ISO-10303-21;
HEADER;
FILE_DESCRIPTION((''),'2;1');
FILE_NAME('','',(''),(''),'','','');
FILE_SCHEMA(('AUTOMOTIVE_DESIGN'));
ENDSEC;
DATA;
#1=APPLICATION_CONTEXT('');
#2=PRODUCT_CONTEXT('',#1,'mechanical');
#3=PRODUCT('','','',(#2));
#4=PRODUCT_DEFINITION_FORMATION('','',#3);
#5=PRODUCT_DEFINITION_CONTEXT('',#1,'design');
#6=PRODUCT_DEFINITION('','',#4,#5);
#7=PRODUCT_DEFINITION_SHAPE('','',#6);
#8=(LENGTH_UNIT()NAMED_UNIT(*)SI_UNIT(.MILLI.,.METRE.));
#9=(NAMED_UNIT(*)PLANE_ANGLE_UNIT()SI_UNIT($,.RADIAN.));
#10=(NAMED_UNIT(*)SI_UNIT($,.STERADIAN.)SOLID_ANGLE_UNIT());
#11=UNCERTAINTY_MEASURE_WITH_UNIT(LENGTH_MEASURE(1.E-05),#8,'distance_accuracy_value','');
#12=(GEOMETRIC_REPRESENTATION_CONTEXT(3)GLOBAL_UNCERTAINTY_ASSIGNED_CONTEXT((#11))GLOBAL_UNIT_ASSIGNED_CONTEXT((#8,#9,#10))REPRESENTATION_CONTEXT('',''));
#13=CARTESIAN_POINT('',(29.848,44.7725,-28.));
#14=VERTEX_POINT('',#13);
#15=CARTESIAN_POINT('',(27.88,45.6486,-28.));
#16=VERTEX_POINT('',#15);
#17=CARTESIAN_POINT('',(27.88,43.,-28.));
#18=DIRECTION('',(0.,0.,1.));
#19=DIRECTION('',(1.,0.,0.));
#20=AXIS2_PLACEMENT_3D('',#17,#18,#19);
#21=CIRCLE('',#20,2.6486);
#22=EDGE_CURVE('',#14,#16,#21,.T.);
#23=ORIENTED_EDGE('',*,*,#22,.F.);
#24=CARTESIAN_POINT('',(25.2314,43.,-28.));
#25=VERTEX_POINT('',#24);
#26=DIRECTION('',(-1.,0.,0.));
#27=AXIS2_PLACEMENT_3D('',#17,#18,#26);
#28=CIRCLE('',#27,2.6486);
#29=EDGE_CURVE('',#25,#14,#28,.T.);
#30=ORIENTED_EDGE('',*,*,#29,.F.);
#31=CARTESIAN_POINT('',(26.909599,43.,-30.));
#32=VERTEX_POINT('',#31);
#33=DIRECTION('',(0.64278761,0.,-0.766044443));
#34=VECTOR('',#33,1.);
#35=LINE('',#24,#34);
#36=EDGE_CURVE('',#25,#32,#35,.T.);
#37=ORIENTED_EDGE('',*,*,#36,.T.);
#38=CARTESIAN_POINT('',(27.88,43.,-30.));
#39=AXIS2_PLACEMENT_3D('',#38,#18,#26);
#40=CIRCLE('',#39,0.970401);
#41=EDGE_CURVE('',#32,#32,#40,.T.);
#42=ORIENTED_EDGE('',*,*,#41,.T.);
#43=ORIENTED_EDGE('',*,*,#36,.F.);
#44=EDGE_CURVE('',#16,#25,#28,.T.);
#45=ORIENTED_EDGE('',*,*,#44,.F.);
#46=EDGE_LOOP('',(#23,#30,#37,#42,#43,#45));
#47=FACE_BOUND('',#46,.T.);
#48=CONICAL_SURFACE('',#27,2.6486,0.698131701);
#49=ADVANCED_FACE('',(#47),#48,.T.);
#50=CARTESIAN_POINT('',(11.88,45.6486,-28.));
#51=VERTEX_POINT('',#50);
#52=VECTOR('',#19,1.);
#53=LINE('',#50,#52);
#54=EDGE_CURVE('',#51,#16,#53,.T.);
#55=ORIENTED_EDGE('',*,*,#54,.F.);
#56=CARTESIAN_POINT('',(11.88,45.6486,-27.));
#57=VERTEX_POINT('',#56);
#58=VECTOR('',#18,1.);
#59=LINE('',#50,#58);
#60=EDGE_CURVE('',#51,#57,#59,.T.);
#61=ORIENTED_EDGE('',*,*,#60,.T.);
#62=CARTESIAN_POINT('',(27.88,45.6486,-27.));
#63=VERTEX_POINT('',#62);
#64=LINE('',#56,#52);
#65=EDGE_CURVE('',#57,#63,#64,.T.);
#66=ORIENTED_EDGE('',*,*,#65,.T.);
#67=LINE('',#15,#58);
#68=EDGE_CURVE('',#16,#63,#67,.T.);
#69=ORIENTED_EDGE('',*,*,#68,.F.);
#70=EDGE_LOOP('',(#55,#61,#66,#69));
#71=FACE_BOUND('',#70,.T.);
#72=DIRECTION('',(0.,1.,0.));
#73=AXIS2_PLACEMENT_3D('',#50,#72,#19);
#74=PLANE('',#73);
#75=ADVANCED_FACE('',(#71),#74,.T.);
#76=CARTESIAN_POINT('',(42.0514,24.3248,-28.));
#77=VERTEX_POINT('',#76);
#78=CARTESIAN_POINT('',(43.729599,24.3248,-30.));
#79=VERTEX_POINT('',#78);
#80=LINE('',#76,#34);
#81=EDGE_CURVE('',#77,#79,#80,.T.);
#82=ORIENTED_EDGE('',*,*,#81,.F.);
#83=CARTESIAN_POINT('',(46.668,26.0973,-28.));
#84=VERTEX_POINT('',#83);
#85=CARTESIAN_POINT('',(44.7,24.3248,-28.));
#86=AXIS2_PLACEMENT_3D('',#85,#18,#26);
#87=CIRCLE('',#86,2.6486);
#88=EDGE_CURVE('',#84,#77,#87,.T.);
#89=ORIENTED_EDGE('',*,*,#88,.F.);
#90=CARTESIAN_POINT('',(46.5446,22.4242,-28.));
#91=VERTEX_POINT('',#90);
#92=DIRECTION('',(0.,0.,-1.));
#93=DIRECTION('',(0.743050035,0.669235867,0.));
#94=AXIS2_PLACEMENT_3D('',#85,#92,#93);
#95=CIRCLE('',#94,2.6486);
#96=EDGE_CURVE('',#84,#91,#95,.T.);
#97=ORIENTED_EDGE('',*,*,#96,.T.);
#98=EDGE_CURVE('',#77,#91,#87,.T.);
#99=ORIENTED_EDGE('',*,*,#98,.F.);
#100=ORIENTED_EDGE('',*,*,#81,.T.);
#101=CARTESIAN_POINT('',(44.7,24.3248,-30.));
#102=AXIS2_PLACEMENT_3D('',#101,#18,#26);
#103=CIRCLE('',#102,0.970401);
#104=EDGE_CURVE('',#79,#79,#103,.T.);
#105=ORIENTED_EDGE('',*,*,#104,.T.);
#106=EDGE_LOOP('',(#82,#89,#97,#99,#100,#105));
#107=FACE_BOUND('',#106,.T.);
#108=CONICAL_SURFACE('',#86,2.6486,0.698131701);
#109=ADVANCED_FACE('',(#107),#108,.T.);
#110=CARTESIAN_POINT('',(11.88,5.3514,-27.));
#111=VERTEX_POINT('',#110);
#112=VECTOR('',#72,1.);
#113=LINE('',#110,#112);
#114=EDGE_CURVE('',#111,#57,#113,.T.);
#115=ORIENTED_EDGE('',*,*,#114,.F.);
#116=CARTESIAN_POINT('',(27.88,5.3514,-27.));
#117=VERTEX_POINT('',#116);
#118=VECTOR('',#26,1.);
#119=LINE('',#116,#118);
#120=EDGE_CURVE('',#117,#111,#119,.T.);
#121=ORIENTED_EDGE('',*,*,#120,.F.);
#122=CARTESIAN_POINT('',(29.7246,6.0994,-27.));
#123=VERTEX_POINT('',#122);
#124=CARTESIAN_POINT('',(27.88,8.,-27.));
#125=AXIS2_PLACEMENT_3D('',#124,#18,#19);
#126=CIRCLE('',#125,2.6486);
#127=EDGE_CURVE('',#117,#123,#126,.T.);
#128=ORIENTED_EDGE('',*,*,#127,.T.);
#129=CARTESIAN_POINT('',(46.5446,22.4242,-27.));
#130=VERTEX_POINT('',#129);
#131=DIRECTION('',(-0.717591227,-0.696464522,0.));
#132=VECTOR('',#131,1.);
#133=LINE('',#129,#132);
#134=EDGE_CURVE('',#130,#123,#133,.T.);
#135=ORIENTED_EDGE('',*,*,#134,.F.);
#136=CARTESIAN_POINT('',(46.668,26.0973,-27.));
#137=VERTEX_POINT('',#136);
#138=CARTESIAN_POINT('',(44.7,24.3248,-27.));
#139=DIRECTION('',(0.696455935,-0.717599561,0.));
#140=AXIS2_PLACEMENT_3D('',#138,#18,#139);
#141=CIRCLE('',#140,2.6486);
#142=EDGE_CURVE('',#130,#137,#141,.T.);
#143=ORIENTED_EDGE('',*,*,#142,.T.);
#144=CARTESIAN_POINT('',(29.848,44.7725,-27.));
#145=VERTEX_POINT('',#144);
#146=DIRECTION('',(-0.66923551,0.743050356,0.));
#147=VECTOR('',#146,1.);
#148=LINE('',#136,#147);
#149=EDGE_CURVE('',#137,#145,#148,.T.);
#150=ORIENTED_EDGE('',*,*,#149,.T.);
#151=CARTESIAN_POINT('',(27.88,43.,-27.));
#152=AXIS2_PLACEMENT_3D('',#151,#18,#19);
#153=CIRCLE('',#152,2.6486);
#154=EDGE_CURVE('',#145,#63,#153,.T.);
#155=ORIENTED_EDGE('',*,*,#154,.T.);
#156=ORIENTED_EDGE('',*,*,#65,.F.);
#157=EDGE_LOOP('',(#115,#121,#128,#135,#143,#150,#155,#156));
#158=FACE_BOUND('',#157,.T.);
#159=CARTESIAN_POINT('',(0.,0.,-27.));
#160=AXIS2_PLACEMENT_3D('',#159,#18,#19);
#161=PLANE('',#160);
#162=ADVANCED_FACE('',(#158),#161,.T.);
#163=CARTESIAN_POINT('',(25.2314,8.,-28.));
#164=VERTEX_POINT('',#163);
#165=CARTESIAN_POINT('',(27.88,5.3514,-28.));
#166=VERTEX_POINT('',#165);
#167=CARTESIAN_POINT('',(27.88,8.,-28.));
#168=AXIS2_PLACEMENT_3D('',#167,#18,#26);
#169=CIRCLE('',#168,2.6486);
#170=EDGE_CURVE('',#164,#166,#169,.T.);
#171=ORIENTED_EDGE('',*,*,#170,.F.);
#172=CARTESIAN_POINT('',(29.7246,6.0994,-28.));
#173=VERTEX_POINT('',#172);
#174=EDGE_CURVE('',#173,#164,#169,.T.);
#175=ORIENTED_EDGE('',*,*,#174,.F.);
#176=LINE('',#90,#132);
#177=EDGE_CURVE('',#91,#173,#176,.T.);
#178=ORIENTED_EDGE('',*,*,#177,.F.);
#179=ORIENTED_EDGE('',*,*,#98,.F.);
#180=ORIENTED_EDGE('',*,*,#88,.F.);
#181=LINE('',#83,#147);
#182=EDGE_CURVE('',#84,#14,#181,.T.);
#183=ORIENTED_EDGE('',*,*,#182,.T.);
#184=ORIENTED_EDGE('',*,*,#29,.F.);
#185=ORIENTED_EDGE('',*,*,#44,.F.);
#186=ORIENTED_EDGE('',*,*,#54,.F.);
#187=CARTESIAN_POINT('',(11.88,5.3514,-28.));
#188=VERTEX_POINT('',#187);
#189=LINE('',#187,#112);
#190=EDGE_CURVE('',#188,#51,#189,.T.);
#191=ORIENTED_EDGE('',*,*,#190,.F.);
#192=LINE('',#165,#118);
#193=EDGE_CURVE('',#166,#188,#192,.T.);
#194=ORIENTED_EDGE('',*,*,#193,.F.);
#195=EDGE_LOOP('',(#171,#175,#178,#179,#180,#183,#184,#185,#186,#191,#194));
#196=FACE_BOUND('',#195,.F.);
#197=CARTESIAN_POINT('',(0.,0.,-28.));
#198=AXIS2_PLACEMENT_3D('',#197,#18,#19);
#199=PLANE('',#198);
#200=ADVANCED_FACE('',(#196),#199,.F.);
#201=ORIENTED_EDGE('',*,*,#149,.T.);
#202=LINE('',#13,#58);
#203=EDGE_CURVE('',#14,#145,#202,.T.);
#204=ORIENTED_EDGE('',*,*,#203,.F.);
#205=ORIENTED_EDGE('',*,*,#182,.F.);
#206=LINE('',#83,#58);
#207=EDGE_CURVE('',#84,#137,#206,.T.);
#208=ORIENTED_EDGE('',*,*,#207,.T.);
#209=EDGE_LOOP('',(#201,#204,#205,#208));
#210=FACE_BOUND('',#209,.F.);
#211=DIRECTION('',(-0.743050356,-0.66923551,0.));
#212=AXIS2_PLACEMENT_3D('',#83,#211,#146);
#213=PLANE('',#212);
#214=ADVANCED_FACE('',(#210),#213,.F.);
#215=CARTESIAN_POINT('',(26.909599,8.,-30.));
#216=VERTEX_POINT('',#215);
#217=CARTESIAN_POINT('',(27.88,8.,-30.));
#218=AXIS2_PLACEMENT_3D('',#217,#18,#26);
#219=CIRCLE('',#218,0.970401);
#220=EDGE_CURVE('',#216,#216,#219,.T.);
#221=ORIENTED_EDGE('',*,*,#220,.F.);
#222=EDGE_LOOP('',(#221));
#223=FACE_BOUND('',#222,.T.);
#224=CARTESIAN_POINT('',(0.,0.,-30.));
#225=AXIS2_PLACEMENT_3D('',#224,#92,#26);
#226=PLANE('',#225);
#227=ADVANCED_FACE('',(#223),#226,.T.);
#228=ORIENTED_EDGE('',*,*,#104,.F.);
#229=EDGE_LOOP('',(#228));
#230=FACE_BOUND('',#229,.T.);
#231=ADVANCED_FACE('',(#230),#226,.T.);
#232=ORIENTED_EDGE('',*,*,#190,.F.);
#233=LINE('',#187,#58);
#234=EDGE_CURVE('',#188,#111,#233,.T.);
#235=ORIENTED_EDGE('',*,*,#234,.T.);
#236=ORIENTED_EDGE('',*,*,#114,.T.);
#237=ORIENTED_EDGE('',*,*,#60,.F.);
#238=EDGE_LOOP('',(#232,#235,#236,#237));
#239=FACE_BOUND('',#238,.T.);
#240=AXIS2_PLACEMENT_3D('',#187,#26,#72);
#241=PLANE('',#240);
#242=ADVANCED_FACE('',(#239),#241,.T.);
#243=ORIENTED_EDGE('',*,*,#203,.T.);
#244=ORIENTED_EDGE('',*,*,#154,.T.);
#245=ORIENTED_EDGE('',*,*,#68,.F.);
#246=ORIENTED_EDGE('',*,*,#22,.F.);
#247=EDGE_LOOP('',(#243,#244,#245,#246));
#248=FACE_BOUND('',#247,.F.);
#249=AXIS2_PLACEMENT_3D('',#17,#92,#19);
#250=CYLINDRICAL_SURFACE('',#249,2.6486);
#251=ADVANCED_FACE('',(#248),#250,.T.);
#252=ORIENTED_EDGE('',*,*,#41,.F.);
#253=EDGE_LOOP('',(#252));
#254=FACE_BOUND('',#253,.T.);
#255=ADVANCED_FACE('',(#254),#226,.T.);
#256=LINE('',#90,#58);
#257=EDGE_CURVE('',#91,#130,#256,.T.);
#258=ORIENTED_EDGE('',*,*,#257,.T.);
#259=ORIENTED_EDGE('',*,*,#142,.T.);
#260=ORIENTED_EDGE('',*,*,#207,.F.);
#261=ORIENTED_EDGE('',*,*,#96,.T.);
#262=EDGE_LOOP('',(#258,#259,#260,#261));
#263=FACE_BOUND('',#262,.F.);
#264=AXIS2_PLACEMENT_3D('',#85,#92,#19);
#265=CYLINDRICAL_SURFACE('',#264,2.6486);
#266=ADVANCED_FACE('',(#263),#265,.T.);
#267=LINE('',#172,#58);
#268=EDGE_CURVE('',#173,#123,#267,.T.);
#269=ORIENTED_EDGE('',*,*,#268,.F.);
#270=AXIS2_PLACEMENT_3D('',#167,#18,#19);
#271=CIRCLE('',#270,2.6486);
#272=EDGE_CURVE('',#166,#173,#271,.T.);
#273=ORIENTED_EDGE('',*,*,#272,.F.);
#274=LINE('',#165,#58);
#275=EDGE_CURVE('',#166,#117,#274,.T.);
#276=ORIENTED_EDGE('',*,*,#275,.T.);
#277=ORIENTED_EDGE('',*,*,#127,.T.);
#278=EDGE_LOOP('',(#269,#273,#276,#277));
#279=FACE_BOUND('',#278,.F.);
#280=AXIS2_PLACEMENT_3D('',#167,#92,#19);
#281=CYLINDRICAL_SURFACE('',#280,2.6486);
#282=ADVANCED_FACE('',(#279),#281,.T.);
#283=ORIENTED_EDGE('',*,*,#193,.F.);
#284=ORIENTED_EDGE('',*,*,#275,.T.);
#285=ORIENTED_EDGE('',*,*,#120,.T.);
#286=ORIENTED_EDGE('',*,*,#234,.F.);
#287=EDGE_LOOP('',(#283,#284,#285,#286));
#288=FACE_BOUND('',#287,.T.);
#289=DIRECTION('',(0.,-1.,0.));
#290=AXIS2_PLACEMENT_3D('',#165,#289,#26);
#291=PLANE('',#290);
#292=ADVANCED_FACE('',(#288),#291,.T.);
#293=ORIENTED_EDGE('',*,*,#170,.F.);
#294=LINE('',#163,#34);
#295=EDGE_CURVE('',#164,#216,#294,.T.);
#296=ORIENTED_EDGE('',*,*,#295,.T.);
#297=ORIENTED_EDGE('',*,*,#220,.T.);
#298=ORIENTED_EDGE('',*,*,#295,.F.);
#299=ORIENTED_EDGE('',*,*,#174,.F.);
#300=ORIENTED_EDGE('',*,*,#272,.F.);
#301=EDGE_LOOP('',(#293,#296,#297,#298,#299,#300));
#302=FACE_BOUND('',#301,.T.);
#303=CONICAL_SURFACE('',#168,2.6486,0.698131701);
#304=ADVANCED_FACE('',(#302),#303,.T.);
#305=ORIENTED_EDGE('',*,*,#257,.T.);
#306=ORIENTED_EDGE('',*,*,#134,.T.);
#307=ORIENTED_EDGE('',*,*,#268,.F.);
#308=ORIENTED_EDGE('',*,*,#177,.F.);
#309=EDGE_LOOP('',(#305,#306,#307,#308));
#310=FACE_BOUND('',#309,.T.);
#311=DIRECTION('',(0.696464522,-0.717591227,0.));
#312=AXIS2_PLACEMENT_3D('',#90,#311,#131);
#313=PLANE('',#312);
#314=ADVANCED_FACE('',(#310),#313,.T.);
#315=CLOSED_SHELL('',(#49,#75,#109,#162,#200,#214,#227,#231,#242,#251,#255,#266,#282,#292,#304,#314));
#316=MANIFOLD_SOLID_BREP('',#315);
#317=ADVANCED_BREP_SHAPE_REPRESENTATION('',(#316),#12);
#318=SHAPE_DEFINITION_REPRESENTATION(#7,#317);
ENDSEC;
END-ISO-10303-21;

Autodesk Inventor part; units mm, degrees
ref_plane "YZ Plane" through (0, 0, 0) normal (1, 0, 0) x (0, 1, 0)
ref_plane "XZ Plane" through (0, 0, 0) normal (0, 1, 0) x (-1, 0, 0)
ref_plane "XY Plane" through (0, 0, 0) normal (0, 0, 1) x (1, 0, 0)
ref_plane "Work Plane1" through (0, 0, -28) normal (0, 0, 1) x (1, 0, 0)
sketch "Sketch1" plane through (0, 0, -28) normal (0, 0, 1) x (1, 0, 0)
  circle A0 centre (27.88, 8) radius 2.6486 projected
  circle A1 centre (27.88, 43) radius 2.6486 projected
  circle A2 centre (44.7, 24.3248) radius 2.6486 projected
  line L0 (27.88, 8) -> (44.7, 24.3248)
  line L1 (44.7, 24.3248) -> (27.88, 43)
  line L2 (27.88, 43) -> (27.88, 8)
  line L3 (46.5446, 22.4242) -> (29.7246, 6.0994)
  line L4 (46.668, 26.0973) -> (29.848, 44.7725)
  line L5 (27.88, 5.3514) -> (11.88, 5.3514)
  line L6 (27.88, 5.3514) -> (43.88, 5.3514) construction
  line L7 (11.88, 5.3514) -> (11.88, 45.6486)
  line L8 (11.88, 45.6486) -> (27.88, 45.6486)
  point P0 (0, 0)
  dimension "d0" = 16
  dimension "d1" = 180
extrude "Extrusion1" add sketch "Sketch1" along normal blind 1
sketch "Sketch2" plane through (0, 0, -28) normal (0, 0, -1) x (-1, 0, 0)
  circle A0 centre (-44.7, 24.3248) radius 2.6486 projected
  circle A1 centre (-27.88, 43) radius 2.6486 projected
  circle A2 centre (-27.88, 8) radius 2.6486 projected
  point P0 (0, 0)
extrude "Extrusion2" add sketch "Sketch2" along normal blind 2 draft -40
properties part number "20_Cube_Insert_VCM_MirrorMount_KES400A_mirror_mount"
